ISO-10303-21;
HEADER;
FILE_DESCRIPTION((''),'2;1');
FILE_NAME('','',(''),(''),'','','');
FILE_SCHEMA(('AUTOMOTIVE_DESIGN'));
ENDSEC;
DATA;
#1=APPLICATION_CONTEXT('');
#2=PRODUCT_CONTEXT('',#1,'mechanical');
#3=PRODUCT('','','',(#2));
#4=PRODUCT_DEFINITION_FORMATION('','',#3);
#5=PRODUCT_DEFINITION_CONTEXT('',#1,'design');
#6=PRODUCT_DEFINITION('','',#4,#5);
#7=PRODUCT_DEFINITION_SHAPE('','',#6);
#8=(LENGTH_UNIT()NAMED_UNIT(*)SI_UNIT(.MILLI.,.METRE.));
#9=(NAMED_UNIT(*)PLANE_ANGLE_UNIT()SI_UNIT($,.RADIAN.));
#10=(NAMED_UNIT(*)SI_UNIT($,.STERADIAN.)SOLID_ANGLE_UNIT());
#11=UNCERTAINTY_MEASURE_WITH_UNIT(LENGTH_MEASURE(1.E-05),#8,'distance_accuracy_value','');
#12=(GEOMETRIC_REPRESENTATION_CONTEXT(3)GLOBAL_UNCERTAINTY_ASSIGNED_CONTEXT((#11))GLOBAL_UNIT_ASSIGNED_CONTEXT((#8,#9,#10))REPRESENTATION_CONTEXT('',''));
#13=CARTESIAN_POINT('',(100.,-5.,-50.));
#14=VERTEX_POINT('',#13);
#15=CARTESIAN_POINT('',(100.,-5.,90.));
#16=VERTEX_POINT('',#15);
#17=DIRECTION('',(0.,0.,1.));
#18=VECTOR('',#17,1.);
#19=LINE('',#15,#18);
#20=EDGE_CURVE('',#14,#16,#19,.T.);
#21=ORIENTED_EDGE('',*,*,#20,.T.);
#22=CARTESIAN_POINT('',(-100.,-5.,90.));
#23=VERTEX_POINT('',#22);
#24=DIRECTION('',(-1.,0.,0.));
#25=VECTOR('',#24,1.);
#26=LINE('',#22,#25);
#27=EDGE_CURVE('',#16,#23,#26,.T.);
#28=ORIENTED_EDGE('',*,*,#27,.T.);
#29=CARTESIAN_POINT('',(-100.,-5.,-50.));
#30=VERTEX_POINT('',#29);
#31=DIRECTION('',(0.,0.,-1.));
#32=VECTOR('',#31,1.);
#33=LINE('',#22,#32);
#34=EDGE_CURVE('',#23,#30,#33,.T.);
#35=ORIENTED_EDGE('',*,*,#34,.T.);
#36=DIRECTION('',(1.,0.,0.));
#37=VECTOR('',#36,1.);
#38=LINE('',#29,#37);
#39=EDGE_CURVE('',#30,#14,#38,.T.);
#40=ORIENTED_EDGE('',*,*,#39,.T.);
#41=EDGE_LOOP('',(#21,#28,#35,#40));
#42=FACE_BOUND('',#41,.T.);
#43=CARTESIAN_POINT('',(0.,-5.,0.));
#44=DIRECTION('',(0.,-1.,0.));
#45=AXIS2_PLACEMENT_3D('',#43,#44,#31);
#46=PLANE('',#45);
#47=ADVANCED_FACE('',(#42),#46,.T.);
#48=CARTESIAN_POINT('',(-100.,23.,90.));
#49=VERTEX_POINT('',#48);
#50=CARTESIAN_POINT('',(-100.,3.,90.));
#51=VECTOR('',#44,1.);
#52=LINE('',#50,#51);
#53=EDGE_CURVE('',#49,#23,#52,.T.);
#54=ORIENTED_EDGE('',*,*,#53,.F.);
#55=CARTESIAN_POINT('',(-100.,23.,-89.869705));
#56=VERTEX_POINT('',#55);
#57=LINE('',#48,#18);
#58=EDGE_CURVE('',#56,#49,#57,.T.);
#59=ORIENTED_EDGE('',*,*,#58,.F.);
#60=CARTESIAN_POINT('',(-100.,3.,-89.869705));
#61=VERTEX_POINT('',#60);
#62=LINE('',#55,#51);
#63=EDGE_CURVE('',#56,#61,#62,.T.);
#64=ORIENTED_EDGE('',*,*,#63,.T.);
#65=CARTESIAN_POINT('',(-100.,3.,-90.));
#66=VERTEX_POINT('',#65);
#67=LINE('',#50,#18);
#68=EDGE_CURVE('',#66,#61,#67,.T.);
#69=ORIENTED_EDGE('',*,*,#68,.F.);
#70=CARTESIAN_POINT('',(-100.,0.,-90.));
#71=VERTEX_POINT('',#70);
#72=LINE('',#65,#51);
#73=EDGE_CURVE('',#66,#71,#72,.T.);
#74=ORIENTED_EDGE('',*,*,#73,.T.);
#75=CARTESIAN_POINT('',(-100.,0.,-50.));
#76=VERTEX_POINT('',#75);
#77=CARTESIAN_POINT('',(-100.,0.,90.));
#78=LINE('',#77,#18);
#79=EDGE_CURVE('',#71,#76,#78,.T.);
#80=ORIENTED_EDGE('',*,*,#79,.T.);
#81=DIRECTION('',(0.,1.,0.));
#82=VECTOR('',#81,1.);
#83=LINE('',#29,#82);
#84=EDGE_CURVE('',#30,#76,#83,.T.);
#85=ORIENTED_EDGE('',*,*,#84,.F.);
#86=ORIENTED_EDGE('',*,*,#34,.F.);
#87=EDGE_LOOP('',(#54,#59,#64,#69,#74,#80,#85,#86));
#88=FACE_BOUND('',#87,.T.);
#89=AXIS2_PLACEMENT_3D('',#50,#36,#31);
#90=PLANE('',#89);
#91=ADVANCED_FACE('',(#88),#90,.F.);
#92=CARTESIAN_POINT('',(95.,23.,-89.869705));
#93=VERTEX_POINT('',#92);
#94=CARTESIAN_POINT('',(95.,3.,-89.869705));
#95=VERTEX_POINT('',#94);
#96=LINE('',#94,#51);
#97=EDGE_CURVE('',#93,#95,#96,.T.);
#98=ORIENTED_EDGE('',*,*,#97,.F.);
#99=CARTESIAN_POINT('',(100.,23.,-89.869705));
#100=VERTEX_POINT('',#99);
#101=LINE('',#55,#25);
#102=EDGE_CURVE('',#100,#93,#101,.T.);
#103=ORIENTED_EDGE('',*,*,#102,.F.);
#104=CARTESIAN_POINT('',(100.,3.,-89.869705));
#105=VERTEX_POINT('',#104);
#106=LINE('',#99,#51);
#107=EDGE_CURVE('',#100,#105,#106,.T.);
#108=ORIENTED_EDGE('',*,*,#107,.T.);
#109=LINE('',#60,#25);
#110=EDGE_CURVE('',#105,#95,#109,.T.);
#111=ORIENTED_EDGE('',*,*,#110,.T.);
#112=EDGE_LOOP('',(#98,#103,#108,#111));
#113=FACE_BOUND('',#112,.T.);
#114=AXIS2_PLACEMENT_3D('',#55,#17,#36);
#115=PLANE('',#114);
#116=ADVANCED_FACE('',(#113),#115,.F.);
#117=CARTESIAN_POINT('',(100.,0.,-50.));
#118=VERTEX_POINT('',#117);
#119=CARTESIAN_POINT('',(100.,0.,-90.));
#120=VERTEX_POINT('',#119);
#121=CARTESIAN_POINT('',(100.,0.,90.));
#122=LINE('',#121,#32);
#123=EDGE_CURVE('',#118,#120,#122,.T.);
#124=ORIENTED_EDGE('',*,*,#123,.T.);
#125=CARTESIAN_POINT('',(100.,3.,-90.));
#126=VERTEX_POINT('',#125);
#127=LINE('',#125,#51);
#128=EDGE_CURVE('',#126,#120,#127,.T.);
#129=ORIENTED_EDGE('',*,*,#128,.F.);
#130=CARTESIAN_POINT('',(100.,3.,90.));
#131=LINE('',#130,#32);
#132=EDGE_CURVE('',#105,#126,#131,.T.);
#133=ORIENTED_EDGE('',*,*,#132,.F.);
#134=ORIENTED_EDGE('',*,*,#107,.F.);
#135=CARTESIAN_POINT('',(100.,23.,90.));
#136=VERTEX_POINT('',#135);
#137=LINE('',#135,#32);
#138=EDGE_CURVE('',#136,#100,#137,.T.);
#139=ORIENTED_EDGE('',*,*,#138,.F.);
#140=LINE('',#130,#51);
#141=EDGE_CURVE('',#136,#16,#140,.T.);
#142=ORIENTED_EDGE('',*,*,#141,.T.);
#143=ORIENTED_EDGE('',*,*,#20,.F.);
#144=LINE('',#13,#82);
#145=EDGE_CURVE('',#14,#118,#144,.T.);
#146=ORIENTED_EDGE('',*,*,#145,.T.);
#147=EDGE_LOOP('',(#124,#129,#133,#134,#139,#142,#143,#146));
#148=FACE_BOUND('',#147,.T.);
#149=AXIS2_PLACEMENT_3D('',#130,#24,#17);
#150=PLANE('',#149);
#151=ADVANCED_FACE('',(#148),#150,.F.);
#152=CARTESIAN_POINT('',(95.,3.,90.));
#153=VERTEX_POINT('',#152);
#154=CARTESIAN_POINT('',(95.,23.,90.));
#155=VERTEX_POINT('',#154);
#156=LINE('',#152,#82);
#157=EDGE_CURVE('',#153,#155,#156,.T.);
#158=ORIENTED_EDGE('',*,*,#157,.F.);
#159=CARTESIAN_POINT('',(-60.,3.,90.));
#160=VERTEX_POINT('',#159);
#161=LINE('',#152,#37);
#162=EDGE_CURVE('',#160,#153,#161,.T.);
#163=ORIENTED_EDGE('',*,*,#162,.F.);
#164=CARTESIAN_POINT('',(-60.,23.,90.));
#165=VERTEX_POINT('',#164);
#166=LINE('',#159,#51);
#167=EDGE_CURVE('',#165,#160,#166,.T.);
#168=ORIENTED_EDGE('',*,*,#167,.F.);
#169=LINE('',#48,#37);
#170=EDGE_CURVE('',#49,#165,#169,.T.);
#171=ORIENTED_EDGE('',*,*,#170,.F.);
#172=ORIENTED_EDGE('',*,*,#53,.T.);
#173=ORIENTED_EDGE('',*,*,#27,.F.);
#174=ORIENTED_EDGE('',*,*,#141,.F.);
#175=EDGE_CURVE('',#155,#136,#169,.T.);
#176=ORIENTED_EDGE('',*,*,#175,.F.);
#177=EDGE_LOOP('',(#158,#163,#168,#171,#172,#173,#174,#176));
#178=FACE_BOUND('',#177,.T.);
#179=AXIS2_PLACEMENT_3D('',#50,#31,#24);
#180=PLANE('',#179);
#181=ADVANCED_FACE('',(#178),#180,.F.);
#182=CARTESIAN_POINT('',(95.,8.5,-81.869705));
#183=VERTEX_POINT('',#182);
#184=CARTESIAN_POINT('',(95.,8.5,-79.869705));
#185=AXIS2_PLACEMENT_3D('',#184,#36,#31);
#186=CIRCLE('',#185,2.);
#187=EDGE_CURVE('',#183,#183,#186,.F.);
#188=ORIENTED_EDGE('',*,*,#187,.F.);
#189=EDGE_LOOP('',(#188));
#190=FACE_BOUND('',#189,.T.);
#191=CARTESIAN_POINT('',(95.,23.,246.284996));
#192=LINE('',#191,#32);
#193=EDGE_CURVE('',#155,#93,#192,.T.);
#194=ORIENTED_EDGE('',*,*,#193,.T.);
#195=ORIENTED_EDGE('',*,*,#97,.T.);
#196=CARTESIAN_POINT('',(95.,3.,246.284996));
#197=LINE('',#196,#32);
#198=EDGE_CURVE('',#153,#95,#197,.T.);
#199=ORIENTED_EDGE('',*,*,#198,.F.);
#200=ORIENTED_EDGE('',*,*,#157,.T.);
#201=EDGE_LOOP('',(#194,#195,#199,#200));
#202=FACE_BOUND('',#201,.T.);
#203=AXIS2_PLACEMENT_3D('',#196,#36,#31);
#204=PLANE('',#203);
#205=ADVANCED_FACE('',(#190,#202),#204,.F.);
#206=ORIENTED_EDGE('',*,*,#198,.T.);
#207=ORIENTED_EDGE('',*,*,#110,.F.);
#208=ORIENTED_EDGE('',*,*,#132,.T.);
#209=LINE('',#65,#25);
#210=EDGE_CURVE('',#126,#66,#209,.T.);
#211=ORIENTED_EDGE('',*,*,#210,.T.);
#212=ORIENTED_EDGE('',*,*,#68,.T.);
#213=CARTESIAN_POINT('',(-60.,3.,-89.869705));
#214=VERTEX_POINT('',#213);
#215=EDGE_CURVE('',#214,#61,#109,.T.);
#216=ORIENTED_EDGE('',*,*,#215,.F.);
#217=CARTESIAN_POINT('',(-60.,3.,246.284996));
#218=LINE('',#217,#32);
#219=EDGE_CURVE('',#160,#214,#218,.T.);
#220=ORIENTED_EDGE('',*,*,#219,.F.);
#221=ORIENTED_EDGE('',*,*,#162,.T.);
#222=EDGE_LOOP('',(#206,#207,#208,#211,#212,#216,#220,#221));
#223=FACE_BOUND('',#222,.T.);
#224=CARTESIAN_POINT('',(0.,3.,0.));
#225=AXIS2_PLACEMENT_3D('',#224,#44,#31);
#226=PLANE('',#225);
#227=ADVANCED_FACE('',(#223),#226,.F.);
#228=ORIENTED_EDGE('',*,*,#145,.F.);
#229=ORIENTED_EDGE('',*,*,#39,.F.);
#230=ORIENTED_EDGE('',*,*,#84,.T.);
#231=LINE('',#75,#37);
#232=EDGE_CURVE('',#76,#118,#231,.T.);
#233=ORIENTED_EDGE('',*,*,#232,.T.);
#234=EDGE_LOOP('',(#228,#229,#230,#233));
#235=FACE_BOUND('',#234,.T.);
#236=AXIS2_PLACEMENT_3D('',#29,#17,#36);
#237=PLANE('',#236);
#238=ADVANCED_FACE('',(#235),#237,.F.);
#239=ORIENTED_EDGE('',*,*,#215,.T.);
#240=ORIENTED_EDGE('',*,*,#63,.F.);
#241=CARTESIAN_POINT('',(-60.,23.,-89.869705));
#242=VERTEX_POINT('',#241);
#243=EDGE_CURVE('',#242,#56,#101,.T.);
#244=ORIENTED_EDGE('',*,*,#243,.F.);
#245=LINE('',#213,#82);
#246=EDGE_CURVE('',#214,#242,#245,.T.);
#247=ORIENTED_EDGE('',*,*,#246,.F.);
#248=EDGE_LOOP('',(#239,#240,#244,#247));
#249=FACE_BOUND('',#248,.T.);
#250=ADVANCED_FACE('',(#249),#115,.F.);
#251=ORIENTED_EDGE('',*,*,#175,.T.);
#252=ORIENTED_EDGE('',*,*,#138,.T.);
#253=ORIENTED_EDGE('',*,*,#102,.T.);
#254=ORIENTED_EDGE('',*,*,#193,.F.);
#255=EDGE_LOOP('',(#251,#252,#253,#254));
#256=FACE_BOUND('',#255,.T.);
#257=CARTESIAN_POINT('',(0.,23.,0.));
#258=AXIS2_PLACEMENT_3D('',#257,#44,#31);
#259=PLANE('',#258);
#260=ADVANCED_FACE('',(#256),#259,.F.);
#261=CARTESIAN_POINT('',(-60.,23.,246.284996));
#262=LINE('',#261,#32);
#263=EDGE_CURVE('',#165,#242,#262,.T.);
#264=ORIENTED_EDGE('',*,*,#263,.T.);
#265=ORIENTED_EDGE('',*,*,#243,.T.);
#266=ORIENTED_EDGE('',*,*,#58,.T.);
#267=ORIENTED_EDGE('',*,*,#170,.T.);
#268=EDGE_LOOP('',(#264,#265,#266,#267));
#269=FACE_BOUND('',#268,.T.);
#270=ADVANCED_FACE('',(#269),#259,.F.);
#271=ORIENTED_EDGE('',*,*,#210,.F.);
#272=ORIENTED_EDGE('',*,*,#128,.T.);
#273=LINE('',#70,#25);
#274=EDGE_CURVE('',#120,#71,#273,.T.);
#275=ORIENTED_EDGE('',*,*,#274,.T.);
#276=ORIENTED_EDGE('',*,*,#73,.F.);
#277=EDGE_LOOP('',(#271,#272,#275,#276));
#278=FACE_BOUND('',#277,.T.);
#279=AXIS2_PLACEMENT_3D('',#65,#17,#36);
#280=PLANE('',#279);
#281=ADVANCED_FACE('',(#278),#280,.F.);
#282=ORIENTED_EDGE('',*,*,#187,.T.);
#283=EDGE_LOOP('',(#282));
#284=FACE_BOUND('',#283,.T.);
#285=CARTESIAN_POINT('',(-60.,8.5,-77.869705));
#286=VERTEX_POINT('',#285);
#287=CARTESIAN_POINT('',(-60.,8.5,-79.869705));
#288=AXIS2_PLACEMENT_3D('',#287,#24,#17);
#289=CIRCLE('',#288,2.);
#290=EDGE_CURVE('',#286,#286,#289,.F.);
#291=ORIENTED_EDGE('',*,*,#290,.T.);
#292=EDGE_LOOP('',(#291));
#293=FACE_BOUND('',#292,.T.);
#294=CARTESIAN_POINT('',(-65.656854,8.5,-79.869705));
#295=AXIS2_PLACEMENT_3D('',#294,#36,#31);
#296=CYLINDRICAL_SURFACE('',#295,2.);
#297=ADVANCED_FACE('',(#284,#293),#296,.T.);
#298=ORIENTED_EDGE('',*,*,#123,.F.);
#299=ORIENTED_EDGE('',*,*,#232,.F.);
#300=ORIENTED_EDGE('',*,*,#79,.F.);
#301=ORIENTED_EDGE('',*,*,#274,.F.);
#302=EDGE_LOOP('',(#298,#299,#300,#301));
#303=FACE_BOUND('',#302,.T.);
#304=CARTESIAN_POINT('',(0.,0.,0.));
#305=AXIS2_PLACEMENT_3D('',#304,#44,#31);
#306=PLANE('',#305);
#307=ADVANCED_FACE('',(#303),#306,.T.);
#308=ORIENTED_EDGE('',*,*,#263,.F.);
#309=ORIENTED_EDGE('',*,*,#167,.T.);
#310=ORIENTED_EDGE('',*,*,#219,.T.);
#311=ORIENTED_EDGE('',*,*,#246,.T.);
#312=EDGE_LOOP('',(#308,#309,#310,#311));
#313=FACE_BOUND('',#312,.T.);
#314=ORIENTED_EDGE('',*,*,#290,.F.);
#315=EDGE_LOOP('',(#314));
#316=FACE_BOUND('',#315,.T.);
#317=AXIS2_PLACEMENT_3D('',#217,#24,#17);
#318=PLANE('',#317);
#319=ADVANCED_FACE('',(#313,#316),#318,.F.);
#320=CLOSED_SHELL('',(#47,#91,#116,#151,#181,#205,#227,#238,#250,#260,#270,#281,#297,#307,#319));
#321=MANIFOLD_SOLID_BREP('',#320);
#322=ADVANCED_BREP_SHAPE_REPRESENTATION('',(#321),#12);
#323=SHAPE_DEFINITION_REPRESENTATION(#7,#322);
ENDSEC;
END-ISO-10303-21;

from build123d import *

# Parameters (mm, degrees)
SKETCH1_W           = 200
SKETCH1_H           = 180
BOSS_EXTRUDE1_DEPTH = 3
SKETCH2_W           = 200
SKETCH2_H           = 140
BOSS_EXTRUDE2_DEPTH = 5
SKETCH6_W           = 200
SKETCH6_H           = 179.869705491
BOSS_EXTRUDE3_DEPTH = 20
SKETCH7_W           = 155
SKETCH7_H           = 20
CUT_EXTRUDE1_DEPTH  = 179.869705491
SKETCH8_R           = 2
BOSS_EXTRUDE4_DEPTH = 155


with BuildPart() as part:
    # Sketch1 → Boss-Extrude1 (new body)
    with BuildSketch(Plane(origin=(0, 0, 0), x_dir=(1, 0, 0), z_dir=(0, 1, 0))):
        Rectangle(SKETCH1_W, SKETCH1_H)
    extrude(amount=BOSS_EXTRUDE1_DEPTH)

    # Sketch2 → Boss-Extrude2 (add)
    with BuildSketch(Plane.XZ):
        with Locations((0, 20)):
            Rectangle(SKETCH2_W, SKETCH2_H)
    extrude(amount=BOSS_EXTRUDE2_DEPTH)

    # Sketch6 → Boss-Extrude3 (add)
    with BuildSketch(Plane(origin=(0, 3, 0), x_dir=(1, 0, 0), z_dir=(0, 1, 0))):
        with Locations((0, -0.065147254)):
            Rectangle(SKETCH6_W, SKETCH6_H)
    extrude(amount=BOSS_EXTRUDE3_DEPTH)

    # Sketch7 → Cut-Extrude1 (cut)
    with BuildSketch(Plane(origin=(0, 0, -89.869705491), x_dir=(-1, 0, 0), z_dir=(0, 0, -1))):
        with Locations((-17.5, 13)):
            Rectangle(SKETCH7_W, SKETCH7_H)
    extrude(amount=-CUT_EXTRUDE1_DEPTH, mode=Mode.SUBTRACT)

    # Sketch8 → Boss-Extrude4 (add)
    with BuildSketch(Plane.ZY.offset(-95)):
        with Locations(Location((-79.869705491, 8.5, 0), (0, 0, 180))):
            Circle(SKETCH8_R)
    extrude(amount=BOSS_EXTRUDE4_DEPTH)


solid = part.part
